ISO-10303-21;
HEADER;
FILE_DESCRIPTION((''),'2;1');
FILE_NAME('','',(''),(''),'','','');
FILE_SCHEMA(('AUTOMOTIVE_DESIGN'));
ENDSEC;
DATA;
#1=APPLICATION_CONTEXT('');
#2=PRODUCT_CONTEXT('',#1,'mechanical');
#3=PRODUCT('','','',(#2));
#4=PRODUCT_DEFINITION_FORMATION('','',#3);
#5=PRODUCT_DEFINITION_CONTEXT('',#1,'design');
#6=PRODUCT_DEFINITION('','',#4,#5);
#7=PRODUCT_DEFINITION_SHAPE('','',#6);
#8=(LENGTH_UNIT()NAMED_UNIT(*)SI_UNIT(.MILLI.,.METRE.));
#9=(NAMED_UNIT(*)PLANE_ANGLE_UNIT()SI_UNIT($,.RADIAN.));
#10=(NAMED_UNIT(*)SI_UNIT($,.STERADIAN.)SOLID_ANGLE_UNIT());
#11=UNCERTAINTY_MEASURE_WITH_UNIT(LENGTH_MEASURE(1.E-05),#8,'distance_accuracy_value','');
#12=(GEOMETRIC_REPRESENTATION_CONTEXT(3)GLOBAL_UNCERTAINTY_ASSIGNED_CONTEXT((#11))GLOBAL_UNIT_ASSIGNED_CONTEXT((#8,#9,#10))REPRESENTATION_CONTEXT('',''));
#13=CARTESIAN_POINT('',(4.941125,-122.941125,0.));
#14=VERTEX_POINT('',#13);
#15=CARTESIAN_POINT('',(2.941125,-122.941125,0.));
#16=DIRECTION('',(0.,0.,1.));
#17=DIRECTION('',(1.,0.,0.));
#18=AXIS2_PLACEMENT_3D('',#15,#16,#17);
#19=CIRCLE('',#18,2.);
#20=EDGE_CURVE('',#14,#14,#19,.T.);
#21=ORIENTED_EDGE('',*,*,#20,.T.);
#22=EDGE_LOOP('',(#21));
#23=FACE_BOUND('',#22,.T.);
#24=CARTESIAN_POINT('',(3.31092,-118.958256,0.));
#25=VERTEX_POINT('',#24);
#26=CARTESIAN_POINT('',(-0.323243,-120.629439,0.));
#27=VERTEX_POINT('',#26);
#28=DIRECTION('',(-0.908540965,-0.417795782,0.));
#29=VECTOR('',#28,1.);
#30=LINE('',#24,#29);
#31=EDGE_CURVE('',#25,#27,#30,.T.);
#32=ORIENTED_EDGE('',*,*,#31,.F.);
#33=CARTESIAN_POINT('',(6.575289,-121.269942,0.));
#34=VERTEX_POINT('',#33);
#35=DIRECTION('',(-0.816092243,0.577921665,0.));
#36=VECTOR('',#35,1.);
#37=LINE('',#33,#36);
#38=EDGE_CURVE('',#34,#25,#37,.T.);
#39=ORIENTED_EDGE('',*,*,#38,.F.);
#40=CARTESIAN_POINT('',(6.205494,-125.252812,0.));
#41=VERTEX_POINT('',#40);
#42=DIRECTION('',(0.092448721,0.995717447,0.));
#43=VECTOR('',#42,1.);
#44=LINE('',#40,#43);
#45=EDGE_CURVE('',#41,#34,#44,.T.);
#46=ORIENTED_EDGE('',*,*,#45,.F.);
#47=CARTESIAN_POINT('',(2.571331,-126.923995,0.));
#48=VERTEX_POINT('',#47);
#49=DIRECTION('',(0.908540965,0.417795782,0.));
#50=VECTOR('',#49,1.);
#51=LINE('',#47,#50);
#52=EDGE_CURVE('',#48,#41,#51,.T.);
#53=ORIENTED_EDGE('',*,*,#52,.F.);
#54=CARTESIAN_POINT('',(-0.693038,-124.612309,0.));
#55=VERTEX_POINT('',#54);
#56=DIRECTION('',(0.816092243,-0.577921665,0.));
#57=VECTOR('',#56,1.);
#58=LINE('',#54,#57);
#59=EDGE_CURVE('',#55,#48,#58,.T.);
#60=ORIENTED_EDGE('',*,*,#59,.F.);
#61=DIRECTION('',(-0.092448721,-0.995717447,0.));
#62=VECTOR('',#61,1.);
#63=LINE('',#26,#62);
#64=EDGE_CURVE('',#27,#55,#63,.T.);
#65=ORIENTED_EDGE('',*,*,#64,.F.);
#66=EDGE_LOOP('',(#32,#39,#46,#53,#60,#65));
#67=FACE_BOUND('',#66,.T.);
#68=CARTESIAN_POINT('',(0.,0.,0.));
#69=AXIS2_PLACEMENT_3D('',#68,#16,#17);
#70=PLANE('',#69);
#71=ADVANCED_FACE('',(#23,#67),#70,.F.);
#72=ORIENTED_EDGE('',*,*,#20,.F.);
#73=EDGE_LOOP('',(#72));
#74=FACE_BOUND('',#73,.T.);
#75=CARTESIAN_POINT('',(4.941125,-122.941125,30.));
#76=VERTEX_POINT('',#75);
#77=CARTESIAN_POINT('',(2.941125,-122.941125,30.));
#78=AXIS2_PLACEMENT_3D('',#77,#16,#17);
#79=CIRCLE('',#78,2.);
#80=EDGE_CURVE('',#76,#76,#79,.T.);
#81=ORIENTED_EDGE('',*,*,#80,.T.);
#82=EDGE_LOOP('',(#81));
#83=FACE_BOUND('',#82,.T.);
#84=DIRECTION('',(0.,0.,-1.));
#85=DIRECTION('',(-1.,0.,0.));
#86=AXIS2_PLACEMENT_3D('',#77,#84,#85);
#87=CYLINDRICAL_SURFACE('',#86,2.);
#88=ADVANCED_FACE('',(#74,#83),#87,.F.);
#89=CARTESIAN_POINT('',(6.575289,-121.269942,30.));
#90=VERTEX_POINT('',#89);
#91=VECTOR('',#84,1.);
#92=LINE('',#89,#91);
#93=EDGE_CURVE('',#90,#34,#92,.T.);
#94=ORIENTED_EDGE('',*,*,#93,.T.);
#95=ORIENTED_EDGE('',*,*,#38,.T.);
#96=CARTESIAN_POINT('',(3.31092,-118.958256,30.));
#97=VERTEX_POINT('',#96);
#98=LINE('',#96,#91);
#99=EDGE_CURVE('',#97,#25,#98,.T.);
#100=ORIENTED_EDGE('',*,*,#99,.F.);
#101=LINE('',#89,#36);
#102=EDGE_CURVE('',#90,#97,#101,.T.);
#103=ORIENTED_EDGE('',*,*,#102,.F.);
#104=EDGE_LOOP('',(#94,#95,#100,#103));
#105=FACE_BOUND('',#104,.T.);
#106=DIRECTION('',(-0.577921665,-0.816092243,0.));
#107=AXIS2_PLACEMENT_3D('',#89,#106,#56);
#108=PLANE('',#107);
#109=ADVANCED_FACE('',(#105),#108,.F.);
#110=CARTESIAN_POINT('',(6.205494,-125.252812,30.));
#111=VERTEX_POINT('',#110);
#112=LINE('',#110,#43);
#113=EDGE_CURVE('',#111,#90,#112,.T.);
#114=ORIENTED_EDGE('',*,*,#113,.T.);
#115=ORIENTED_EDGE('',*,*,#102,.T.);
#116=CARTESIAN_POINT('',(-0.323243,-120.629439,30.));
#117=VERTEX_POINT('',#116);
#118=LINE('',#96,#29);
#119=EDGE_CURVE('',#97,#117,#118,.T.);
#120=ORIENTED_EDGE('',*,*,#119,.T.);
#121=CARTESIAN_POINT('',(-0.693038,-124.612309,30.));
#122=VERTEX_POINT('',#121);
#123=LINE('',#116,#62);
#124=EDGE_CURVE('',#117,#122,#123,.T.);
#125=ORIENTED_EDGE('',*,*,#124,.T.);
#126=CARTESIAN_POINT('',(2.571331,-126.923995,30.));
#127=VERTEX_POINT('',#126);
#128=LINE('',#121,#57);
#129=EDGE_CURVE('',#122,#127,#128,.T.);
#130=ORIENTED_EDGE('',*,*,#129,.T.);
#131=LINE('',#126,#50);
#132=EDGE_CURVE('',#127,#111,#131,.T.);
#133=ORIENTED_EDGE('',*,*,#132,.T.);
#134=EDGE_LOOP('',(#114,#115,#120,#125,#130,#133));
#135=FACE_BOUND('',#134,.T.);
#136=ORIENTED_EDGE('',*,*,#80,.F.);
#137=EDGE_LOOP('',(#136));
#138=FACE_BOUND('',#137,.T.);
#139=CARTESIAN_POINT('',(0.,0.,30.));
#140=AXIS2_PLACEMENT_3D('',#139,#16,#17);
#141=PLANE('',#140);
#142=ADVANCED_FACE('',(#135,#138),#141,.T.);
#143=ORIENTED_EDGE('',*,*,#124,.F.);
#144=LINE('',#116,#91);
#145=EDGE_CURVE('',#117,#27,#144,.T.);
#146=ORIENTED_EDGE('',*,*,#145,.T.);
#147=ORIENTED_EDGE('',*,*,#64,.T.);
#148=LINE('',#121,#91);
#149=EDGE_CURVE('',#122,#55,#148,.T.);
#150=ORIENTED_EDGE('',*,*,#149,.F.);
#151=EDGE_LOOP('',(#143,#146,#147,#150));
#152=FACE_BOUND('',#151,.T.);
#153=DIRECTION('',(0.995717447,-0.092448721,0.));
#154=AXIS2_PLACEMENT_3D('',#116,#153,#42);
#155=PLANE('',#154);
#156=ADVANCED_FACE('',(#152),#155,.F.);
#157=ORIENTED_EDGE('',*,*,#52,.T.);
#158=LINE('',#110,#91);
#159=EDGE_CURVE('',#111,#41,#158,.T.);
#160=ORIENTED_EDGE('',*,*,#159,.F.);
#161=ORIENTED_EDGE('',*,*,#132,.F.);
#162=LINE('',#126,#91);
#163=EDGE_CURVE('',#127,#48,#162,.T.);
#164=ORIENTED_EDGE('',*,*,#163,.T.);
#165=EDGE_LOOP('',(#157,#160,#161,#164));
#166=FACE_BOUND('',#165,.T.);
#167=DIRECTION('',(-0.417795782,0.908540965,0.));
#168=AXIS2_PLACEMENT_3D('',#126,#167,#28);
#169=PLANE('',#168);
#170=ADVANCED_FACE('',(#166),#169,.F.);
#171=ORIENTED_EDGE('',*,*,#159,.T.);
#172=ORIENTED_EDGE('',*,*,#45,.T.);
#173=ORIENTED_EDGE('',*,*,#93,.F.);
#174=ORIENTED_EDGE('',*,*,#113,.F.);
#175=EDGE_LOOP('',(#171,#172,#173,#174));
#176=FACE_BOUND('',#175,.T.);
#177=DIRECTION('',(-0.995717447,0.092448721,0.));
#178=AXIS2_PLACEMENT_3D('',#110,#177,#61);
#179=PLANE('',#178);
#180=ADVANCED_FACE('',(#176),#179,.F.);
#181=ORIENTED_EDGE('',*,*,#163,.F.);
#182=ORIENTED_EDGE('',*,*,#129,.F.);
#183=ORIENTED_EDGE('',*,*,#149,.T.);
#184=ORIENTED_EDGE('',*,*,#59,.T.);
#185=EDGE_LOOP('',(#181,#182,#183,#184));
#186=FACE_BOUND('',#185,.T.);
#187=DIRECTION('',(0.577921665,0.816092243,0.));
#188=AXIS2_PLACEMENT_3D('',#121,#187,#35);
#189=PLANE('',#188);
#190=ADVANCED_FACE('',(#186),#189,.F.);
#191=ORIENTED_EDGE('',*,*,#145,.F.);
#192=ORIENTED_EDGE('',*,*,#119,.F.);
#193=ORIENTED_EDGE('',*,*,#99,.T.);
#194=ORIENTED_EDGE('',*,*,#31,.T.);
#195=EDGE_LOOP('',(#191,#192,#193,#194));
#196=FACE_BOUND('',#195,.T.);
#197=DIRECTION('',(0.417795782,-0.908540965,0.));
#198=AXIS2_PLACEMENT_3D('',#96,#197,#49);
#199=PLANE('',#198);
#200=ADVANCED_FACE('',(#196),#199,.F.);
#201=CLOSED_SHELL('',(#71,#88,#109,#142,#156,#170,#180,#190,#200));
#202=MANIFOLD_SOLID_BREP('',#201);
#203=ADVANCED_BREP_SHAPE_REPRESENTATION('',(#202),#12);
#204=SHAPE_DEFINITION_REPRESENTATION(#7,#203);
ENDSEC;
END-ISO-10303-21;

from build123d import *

# Parameters (mm, degrees)
SKETCH1_R           = 2
BOSS_EXTRUDE1_DEPTH = 30


with BuildPart() as part:
    # Sketch1 → Boss-Extrude1 (new body)
    with BuildSketch(Plane.XY):
        Polygon((-0.323243476, -120.629438838), (-0.693038362, -124.612308625), (2.571330611, -126.923995284), (6.20549447, -125.252812156), (6.575289356, -121.269942369), (3.310920383, -118.95825571), align=None)
        with Locations((2.941125497, -122.941125497)):
            Circle(SKETCH1_R, mode=Mode.SUBTRACT)
    extrude(amount=BOSS_EXTRUDE1_DEPTH)


solid = part.part
